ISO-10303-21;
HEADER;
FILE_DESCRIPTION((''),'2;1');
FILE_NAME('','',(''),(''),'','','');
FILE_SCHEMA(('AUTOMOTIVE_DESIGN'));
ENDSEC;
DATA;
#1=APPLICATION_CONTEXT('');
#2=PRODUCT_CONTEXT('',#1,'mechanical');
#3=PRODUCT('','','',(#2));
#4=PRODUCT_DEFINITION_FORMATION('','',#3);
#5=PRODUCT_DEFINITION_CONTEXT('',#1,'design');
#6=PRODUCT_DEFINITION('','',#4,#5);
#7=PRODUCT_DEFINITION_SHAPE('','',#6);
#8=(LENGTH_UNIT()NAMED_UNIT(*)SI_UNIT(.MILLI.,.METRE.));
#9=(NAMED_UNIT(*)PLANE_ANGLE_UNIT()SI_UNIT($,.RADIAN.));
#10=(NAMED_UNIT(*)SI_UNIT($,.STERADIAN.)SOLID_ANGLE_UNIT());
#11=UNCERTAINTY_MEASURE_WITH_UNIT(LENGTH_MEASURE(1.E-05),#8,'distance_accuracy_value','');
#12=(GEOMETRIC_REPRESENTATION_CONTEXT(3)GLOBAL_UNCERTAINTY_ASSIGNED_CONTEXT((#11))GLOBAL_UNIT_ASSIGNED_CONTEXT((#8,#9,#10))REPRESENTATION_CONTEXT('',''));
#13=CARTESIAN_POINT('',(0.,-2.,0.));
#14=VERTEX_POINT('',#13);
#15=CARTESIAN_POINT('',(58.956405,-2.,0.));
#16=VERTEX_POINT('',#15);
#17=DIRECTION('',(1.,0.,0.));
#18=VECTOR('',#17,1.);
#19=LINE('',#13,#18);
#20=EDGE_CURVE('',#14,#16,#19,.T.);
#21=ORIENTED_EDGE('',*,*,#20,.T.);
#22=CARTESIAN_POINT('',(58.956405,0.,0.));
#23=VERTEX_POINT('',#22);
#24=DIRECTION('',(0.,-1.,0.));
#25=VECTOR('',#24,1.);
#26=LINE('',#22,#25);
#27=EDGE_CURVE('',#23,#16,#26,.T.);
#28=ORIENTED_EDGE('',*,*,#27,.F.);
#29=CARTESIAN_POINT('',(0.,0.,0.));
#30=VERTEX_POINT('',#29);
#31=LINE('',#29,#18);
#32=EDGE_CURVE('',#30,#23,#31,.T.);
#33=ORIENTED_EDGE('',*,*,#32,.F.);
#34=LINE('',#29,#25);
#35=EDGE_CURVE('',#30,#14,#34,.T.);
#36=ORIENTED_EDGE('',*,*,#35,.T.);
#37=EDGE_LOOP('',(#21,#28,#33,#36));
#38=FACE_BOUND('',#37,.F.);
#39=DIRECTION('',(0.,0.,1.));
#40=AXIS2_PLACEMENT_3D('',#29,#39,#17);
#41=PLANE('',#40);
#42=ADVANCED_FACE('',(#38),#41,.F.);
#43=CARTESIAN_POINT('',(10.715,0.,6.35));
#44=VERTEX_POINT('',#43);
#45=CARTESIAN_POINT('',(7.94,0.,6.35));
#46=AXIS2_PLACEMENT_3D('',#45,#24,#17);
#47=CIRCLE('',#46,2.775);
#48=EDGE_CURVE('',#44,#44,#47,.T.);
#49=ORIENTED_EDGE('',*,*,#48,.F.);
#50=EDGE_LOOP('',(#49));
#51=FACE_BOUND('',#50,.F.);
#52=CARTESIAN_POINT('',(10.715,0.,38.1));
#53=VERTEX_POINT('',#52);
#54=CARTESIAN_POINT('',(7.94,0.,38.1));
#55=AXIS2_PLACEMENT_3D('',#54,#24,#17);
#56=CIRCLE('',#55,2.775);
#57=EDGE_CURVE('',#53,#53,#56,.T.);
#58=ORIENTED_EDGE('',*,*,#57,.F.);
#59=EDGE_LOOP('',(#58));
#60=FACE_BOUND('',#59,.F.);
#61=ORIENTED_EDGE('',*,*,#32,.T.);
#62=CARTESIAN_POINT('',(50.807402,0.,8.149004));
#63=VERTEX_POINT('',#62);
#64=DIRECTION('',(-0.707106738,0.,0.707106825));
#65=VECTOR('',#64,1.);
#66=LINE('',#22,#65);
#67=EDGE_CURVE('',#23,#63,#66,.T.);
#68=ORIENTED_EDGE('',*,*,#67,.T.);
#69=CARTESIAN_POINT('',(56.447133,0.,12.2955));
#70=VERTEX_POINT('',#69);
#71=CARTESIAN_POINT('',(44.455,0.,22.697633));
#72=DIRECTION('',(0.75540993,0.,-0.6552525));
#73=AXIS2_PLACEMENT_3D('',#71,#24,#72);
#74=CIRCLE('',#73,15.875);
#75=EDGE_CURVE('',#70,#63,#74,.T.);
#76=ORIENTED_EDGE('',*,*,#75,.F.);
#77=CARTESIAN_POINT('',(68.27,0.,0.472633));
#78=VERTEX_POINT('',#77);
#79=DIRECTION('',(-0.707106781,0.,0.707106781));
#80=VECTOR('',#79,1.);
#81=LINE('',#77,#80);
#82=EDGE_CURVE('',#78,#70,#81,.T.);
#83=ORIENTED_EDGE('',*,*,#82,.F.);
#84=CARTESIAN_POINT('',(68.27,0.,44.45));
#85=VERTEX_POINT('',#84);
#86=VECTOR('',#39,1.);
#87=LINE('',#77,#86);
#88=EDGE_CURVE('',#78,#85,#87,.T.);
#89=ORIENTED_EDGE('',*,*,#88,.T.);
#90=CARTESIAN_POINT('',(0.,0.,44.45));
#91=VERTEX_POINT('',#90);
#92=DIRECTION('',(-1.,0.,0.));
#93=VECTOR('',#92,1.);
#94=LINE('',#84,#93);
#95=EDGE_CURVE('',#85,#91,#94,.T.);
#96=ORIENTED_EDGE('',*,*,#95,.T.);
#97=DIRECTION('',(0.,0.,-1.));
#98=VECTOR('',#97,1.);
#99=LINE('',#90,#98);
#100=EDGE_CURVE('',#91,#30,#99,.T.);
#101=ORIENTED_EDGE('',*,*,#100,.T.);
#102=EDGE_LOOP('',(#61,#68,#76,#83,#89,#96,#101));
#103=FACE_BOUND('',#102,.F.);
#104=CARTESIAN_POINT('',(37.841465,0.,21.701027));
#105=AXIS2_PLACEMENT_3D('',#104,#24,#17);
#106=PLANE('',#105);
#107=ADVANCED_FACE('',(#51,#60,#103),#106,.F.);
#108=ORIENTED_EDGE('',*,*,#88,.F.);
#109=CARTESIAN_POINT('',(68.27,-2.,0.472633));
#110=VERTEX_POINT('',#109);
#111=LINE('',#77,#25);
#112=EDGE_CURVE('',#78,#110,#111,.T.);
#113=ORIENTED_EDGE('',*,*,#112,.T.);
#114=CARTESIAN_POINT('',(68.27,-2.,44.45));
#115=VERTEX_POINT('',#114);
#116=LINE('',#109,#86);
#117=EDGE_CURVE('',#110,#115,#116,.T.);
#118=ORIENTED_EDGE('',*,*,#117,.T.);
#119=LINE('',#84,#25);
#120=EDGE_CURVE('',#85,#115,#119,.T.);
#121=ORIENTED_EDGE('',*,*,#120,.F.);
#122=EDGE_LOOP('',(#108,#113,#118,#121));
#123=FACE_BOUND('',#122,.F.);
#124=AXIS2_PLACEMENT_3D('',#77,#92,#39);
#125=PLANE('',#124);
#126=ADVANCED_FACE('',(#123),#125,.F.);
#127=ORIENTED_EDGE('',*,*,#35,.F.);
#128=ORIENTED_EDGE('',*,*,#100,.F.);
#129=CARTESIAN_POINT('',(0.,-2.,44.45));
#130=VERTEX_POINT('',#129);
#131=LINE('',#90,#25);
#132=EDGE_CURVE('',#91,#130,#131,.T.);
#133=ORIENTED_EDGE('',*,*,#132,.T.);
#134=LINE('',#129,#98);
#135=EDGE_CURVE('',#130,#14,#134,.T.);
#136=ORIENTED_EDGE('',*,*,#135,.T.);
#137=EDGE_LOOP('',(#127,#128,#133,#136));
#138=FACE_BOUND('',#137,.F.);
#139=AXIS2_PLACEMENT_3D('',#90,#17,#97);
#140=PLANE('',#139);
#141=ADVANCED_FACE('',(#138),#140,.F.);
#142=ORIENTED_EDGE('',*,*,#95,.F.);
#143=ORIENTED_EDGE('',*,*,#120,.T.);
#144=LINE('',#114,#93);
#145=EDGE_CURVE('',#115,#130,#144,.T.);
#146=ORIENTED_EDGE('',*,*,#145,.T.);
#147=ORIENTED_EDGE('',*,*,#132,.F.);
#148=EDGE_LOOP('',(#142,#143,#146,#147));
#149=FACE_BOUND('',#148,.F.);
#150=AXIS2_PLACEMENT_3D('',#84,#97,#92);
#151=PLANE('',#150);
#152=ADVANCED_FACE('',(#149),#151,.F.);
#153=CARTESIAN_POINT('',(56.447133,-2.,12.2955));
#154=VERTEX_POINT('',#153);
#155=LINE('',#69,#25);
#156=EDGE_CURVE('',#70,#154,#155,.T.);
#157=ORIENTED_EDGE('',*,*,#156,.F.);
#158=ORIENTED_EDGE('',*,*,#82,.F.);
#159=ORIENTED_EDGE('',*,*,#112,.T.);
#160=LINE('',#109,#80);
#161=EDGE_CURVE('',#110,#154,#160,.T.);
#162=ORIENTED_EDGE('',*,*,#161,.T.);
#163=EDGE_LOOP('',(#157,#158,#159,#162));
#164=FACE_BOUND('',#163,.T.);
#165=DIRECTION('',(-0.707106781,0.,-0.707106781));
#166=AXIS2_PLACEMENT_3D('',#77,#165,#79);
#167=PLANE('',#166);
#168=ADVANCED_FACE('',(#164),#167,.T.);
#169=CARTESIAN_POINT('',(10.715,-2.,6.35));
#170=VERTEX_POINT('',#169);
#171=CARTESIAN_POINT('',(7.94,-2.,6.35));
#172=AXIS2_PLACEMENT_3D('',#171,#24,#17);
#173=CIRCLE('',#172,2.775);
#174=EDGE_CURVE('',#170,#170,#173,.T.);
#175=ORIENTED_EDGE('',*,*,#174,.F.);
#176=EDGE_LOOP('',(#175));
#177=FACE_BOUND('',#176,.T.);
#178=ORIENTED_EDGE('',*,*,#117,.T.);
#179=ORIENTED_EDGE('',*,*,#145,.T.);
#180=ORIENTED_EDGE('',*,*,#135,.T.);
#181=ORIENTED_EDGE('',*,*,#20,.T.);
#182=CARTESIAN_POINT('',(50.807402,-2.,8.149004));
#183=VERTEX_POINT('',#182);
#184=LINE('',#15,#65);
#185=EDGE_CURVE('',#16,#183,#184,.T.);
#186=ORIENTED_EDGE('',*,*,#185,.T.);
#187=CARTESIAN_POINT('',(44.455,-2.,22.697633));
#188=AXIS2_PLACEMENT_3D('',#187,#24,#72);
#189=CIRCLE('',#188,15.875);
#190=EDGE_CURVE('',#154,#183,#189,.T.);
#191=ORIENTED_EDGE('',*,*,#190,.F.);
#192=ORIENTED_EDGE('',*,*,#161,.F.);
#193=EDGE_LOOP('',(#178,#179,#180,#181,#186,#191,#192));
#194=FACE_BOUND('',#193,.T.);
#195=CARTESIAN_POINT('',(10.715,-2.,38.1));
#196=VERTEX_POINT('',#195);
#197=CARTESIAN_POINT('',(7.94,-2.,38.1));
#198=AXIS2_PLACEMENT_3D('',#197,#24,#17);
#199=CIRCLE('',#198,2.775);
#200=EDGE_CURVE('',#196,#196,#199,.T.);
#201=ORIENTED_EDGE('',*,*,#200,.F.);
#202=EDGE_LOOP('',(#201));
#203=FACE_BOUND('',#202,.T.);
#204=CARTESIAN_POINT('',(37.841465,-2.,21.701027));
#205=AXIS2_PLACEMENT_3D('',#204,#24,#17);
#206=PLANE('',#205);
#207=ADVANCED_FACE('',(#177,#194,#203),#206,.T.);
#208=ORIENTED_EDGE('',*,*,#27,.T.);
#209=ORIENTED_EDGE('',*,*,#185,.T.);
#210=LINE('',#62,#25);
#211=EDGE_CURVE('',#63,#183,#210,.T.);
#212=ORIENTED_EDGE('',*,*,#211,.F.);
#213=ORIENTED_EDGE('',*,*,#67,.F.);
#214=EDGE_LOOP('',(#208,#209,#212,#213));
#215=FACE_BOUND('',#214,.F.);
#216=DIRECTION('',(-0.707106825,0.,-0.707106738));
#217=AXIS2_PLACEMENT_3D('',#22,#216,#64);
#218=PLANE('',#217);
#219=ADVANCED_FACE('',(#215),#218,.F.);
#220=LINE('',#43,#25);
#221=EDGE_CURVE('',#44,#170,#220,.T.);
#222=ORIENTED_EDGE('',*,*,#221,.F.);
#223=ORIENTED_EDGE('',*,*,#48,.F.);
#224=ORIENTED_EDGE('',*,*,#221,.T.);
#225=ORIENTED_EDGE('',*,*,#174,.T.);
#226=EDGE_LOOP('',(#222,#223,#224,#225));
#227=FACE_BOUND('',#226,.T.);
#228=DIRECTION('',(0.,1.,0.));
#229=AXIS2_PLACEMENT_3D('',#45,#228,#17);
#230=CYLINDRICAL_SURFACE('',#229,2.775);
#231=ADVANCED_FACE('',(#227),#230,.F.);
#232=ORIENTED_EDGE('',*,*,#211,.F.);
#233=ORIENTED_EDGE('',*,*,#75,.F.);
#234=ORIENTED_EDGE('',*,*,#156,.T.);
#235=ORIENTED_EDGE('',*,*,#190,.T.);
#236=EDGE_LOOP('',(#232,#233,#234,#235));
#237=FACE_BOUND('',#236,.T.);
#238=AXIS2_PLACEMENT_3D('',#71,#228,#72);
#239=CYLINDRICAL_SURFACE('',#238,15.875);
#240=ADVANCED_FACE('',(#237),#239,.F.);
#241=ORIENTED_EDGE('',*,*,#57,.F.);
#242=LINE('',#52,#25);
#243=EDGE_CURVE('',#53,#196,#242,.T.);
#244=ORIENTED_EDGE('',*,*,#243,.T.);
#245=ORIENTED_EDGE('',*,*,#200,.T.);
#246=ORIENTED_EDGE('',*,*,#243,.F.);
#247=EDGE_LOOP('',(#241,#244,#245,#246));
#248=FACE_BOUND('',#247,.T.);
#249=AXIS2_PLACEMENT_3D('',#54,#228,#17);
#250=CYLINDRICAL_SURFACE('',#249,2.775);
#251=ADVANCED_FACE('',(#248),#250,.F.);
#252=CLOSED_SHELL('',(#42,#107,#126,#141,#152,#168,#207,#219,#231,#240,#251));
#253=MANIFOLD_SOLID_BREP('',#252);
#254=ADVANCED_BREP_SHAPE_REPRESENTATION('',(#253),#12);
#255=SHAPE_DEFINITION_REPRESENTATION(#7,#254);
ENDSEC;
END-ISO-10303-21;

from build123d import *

# Parameters (mm, degrees)
SKETCH_R  = 2.775
PAD_DEPTH = 2


with BuildPart() as part:
    # Sketch → Pad (new body)
    with BuildSketch(Plane.XZ):
        with BuildLine():
            Line((0, 0), (58.956405, 0))
            Line((58.956405, 0), (50.807402, 8.149004))
            ThreePointArc((56.447133, 12.2955), (35.051339, 35.487738), (50.807402, 8.149004))
            Line((68.27, 0.472633), (56.447133, 12.2955))
            Line((68.27, 0.472633), (68.27, 44.45))
            Line((68.27, 44.45), (0, 44.45))
            Line((0, 44.45), (0, 0))
        make_face()
        with Locations((7.94, 6.35)):
            Circle(SKETCH_R, mode=Mode.SUBTRACT)
        with Locations((7.94, 38.1)):
            Circle(SKETCH_R, mode=Mode.SUBTRACT)
    extrude(amount=PAD_DEPTH)


solid = part.part
